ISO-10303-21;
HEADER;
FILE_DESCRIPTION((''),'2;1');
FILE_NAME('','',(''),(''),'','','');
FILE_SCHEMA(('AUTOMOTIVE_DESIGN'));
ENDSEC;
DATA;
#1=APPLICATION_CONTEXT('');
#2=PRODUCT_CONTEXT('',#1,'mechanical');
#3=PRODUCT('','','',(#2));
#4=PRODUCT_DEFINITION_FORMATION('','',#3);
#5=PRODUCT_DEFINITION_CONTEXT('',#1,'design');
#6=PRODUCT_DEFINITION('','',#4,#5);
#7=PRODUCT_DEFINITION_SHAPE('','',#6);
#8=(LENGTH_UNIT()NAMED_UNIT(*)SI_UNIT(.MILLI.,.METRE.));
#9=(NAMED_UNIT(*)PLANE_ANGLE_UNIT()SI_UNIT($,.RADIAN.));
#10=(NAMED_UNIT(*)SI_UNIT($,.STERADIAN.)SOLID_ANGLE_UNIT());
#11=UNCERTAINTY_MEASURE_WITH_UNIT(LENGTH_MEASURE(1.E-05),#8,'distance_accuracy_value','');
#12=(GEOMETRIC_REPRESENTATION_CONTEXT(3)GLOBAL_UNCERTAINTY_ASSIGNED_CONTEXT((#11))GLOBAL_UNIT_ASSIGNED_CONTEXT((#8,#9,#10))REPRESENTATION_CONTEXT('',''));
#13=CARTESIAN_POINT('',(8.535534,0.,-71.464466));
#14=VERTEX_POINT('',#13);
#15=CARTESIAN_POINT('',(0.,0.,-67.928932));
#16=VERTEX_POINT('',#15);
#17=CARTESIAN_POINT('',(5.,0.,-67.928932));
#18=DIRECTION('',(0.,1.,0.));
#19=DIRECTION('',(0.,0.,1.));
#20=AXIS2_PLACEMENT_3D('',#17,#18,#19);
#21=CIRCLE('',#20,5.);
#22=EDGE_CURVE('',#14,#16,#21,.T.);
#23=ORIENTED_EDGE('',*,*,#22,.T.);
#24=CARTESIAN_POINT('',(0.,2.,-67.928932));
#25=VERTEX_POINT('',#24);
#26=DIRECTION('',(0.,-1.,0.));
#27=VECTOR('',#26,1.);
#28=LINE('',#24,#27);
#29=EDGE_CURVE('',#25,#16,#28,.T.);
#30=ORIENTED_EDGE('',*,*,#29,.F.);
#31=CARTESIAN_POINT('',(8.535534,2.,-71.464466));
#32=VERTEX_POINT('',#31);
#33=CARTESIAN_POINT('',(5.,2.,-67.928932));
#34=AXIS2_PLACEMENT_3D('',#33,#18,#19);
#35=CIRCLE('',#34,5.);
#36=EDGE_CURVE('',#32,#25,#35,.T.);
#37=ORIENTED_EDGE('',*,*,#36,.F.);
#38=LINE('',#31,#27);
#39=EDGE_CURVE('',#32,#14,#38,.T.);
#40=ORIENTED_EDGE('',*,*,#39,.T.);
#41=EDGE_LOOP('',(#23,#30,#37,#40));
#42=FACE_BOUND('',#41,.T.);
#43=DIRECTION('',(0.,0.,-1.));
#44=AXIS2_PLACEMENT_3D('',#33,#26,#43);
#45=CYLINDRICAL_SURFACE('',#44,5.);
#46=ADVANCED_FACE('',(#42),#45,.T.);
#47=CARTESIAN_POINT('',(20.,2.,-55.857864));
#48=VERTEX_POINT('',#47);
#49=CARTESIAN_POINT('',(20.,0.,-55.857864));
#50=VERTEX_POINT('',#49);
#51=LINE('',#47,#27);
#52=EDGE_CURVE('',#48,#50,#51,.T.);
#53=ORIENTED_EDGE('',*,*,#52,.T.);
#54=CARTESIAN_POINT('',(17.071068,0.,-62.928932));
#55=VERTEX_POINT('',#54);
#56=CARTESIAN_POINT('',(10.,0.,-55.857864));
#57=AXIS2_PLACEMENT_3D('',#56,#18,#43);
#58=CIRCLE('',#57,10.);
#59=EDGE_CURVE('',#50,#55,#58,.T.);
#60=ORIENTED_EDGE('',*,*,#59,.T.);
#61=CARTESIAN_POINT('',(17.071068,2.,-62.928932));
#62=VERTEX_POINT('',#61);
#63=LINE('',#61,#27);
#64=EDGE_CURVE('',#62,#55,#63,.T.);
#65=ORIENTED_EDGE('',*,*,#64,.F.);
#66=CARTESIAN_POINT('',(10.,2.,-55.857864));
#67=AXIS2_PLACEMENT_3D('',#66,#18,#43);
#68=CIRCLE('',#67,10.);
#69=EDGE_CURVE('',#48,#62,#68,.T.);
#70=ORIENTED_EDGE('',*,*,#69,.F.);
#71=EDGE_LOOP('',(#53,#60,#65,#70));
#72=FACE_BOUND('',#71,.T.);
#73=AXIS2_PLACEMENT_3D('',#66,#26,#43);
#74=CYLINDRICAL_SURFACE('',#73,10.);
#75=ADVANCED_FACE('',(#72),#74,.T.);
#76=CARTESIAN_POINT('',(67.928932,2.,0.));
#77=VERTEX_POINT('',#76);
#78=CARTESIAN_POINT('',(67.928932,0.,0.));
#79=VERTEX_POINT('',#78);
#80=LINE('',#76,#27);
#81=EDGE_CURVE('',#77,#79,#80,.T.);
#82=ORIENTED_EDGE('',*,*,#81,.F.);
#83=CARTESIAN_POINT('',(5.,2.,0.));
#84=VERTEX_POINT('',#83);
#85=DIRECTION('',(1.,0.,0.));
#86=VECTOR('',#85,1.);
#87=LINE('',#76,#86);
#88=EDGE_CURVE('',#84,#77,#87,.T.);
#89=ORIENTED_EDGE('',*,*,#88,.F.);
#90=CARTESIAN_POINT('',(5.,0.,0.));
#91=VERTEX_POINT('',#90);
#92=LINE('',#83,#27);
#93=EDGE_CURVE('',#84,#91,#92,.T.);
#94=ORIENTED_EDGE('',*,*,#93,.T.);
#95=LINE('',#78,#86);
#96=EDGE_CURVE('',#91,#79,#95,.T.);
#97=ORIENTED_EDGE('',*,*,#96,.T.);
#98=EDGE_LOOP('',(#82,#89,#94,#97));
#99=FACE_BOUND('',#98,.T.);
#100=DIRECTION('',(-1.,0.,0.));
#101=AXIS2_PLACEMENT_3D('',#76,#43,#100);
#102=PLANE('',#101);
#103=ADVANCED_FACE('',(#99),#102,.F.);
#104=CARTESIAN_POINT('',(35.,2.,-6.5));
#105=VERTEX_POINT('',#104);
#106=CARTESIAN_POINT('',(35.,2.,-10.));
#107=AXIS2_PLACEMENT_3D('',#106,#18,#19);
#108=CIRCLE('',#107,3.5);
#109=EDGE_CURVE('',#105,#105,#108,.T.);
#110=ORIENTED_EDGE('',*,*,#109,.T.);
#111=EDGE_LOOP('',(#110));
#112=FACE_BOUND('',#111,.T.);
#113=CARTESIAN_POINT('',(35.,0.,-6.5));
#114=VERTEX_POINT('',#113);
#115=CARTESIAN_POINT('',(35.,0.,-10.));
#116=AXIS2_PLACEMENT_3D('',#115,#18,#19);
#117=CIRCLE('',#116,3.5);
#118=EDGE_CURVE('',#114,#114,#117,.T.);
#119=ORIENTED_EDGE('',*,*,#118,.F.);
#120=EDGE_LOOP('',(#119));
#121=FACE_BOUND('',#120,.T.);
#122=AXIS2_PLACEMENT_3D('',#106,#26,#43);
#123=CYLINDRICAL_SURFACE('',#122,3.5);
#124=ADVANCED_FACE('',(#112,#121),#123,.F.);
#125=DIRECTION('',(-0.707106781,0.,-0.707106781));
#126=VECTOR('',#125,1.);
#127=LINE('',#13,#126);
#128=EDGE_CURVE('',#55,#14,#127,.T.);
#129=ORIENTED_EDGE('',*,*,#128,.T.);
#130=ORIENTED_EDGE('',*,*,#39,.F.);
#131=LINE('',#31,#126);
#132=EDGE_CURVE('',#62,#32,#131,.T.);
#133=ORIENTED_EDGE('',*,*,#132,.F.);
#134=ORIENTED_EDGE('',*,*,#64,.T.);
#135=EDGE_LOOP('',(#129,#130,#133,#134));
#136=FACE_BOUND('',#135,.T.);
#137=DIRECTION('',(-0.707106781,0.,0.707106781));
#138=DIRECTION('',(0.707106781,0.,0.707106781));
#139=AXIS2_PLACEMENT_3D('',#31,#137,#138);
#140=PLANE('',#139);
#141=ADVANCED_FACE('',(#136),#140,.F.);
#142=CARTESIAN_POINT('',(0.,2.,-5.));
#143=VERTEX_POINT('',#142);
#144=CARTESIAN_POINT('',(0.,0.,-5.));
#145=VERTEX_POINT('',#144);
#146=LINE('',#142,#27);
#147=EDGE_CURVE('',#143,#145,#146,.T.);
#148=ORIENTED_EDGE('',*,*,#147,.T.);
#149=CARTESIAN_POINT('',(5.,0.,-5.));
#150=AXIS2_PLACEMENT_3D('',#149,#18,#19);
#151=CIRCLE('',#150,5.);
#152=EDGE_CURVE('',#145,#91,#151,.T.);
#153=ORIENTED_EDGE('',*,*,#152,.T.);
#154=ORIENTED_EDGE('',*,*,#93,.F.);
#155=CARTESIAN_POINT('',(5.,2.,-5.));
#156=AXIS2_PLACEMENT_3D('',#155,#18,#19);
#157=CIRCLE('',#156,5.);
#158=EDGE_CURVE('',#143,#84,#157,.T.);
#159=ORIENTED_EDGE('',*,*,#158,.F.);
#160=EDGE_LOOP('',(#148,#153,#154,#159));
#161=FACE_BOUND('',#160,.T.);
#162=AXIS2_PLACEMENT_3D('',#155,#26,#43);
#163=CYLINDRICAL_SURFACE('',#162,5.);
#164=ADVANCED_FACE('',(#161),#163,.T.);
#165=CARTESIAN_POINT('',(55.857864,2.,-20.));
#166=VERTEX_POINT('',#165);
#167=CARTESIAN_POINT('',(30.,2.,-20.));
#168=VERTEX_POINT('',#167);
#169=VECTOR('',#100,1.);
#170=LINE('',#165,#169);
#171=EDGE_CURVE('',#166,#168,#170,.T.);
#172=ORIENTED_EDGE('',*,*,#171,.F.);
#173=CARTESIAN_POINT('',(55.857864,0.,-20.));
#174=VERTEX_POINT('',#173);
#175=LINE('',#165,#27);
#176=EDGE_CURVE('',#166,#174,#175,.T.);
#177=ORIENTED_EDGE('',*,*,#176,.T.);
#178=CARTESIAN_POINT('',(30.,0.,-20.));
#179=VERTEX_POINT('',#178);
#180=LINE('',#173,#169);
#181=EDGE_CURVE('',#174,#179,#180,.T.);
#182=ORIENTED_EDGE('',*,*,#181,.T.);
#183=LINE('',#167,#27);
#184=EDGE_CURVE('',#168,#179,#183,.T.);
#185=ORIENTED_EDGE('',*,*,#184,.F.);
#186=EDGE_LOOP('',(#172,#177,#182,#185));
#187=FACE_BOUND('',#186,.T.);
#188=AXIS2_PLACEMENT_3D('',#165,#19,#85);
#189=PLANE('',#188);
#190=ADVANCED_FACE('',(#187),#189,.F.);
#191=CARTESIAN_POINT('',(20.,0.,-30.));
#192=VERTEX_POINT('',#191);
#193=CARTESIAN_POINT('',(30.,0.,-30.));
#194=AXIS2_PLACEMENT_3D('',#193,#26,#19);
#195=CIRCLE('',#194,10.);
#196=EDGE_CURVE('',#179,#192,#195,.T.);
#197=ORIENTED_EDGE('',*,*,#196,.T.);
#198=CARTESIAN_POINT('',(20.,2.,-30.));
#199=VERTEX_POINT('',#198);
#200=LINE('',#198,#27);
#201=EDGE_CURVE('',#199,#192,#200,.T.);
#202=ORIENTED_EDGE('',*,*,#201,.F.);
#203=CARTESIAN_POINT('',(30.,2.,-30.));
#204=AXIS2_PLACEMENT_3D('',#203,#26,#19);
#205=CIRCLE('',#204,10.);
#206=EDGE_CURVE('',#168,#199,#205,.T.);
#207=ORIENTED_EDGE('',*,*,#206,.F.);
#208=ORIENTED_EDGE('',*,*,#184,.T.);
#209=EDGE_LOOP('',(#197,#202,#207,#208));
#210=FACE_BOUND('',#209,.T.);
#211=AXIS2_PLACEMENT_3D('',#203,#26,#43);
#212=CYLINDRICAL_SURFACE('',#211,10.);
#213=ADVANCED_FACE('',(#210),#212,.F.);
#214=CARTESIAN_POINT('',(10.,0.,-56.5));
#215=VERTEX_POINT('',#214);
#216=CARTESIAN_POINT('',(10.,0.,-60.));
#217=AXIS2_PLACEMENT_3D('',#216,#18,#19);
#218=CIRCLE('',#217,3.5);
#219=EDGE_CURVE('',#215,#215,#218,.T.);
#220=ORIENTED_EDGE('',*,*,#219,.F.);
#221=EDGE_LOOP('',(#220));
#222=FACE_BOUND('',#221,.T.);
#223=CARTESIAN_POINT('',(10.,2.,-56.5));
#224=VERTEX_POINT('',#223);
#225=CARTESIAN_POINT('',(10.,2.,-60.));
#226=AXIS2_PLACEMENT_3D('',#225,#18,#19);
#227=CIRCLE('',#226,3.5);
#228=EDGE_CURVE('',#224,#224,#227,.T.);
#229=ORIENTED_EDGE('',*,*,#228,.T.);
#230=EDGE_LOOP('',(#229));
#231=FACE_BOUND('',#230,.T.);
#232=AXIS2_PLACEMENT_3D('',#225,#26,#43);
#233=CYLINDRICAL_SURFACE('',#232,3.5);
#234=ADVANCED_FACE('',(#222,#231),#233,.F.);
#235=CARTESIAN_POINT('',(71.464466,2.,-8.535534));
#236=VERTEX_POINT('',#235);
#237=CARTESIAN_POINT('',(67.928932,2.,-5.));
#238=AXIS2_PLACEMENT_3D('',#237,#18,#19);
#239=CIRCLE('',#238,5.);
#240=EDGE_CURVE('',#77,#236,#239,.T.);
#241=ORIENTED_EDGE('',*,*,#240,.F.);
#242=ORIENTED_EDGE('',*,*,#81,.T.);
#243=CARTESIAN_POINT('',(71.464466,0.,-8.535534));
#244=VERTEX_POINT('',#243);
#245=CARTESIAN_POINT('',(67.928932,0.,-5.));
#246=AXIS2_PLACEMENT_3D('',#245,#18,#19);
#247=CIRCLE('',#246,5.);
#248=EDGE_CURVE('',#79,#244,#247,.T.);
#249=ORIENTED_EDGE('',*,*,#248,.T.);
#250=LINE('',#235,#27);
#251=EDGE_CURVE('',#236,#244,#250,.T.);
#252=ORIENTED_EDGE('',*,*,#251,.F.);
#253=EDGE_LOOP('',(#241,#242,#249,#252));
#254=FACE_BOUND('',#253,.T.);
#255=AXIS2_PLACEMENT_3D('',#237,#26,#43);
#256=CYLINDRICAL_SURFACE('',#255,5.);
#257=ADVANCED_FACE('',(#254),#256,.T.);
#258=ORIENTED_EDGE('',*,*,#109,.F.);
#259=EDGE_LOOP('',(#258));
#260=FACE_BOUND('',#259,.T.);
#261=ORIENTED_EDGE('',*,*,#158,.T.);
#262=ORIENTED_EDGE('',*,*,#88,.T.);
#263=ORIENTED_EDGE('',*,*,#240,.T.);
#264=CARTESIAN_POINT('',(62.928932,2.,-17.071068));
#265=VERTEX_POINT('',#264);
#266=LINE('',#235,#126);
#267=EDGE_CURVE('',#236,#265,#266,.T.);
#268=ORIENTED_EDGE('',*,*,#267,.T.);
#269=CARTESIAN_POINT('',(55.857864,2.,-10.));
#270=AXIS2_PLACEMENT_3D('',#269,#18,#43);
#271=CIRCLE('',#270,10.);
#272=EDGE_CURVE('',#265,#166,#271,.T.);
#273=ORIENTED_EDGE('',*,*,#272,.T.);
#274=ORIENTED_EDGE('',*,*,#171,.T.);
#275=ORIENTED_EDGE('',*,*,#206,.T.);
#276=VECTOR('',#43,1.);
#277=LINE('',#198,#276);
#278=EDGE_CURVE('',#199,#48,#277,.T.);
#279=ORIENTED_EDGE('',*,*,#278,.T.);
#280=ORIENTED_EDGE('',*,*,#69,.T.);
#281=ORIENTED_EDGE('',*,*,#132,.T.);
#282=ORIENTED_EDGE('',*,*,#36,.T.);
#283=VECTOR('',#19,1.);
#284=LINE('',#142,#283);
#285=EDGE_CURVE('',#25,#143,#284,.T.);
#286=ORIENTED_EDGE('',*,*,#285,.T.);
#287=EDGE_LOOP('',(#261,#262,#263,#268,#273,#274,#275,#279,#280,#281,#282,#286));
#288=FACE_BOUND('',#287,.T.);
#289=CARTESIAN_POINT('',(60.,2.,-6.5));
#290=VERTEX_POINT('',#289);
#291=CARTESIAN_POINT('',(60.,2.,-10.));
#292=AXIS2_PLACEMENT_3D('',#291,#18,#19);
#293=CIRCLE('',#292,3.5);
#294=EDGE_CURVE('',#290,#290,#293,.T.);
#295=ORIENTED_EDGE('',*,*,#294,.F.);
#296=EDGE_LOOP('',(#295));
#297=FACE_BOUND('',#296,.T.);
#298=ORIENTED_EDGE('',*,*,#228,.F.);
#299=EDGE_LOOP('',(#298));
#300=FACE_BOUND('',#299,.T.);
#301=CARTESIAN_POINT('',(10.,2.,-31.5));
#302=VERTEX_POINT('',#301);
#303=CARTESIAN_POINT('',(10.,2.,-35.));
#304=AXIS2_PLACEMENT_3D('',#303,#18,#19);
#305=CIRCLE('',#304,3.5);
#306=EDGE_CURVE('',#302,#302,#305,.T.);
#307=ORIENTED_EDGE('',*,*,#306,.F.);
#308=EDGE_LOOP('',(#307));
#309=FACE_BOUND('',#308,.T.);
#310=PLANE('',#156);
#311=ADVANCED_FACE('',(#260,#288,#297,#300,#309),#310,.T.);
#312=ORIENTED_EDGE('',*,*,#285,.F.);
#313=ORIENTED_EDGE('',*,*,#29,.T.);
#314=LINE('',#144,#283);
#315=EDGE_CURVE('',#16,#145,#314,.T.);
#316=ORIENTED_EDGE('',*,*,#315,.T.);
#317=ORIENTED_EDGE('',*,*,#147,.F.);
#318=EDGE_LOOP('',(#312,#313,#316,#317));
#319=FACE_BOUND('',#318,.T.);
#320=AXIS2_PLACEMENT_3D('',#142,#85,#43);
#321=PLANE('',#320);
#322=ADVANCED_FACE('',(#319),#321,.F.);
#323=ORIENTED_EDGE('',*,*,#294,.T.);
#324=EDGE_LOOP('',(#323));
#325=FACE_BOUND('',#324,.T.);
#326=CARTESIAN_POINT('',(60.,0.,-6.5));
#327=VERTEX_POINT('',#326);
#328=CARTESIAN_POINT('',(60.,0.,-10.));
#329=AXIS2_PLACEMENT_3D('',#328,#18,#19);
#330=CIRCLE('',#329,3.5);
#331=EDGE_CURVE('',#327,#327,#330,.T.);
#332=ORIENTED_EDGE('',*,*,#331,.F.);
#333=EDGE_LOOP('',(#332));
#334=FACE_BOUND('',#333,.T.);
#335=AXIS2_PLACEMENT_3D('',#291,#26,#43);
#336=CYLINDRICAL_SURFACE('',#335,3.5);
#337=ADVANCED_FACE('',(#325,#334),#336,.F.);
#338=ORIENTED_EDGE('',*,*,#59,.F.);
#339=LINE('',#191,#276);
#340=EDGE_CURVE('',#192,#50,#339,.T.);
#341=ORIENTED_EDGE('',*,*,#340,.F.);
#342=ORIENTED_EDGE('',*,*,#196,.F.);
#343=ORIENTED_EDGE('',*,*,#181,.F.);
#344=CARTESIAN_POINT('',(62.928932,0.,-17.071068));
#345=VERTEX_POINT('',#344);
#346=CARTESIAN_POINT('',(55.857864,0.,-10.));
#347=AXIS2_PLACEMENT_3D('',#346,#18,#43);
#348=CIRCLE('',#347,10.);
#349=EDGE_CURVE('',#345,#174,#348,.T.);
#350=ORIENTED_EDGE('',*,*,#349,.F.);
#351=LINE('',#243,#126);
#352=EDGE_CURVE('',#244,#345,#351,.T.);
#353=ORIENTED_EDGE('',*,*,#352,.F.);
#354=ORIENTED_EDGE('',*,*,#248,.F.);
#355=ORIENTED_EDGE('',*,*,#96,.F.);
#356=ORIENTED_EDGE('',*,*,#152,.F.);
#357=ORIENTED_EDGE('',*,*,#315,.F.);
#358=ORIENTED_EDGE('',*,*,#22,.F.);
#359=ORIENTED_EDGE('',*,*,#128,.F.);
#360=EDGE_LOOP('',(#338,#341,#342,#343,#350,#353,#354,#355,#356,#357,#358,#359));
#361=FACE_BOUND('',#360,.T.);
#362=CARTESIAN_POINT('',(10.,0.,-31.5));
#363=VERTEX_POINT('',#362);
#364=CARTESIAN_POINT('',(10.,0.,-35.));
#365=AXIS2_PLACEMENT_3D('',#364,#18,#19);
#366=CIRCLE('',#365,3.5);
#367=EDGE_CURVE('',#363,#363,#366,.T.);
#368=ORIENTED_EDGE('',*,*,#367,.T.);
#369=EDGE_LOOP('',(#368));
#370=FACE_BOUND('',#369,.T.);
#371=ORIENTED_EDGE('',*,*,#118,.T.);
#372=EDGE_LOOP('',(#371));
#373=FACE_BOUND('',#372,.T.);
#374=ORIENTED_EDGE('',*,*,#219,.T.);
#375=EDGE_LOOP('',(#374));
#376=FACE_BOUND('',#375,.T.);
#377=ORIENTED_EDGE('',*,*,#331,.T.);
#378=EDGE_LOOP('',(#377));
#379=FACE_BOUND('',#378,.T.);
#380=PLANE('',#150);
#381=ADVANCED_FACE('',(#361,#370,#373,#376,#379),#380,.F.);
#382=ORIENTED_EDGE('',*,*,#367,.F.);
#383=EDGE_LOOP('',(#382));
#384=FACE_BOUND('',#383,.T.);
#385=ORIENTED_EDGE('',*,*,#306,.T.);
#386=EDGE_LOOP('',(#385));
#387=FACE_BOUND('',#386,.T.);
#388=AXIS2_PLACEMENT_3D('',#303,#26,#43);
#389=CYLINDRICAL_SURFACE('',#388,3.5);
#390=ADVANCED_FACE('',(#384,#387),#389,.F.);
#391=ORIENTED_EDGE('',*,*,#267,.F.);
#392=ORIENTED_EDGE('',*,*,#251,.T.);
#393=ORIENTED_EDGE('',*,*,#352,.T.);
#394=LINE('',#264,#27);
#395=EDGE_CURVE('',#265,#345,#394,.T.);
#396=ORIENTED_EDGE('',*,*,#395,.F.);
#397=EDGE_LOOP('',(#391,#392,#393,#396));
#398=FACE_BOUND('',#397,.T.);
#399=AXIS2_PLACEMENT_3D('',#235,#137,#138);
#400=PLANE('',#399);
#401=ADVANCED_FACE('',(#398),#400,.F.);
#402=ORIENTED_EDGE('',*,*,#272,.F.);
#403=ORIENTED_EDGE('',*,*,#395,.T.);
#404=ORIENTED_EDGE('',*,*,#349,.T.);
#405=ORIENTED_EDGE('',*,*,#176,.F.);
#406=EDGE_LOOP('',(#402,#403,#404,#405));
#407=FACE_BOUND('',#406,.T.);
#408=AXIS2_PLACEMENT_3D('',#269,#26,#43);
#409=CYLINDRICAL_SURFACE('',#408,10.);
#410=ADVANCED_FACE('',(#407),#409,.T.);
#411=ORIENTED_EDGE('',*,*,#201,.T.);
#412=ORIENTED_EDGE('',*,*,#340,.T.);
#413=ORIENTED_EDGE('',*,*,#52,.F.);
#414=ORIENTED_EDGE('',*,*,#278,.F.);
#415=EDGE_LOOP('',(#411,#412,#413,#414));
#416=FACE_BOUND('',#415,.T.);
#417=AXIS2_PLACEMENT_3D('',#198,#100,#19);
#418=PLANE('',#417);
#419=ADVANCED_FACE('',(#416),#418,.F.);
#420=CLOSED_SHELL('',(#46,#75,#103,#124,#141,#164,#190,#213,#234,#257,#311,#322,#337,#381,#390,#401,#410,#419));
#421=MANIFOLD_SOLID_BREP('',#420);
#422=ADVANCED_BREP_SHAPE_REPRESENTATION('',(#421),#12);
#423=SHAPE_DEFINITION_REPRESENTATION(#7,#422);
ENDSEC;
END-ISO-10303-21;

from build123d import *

# Parameters (mm, degrees)
SKETCH1_R           = 3.5
BOSS_EXTRUDE1_DEPTH = 2


with BuildPart() as part:
    # Sketch1 → Boss-Extrude1 (new body)
    with BuildSketch(Plane(origin=(0, 0, 0), x_dir=(1, 0, 0), z_dir=(0, 1, 0))):
        with BuildLine():
            Line((0, 5), (0, 67.928932188))
            ThreePointArc((0, 67.928932188), (3.086582838, 72.548329851), (8.535533906, 71.464466094))
            Line((8.535533906, 71.464466094), (17.071067812, 62.928932188))
            ThreePointArc((17.071067812, 62.928932188), (19.238795325, 59.6846987), (20, 55.857864376))
            Line((20, 55.857864376), (20, 30))
            ThreePointArc((20, 30), (22.928932188, 22.928932188), (30, 20))
            Line((30, 20), (55.857864376, 20))
            ThreePointArc((55.857864376, 20), (59.6846987, 19.238795325), (62.928932188, 17.071067812))
            Line((62.928932188, 17.071067812), (71.464466094, 8.535533906))
            ThreePointArc((71.464466094, 8.535533906), (72.548329851, 3.086582838), (67.928932188, 0))
            Line((67.928932188, 0), (5, 0))
            ThreePointArc((5, 0), (1.464466094, 1.464466094), (0, 5))
        make_face()
        with Locations(Location((10, 60, 0), (0, 0, 270))):
            Circle(SKETCH1_R, mode=Mode.SUBTRACT)
        with Locations(Location((10, 35, 0), (0, 0, 270))):
            Circle(SKETCH1_R, mode=Mode.SUBTRACT)
        with Locations(Location((35, 10, 0), (0, 0, 270))):
            Circle(SKETCH1_R, mode=Mode.SUBTRACT)
        with Locations(Location((60, 10, 0), (0, 0, 270))):
            Circle(SKETCH1_R, mode=Mode.SUBTRACT)
    extrude(amount=BOSS_EXTRUDE1_DEPTH)


solid = part.part
